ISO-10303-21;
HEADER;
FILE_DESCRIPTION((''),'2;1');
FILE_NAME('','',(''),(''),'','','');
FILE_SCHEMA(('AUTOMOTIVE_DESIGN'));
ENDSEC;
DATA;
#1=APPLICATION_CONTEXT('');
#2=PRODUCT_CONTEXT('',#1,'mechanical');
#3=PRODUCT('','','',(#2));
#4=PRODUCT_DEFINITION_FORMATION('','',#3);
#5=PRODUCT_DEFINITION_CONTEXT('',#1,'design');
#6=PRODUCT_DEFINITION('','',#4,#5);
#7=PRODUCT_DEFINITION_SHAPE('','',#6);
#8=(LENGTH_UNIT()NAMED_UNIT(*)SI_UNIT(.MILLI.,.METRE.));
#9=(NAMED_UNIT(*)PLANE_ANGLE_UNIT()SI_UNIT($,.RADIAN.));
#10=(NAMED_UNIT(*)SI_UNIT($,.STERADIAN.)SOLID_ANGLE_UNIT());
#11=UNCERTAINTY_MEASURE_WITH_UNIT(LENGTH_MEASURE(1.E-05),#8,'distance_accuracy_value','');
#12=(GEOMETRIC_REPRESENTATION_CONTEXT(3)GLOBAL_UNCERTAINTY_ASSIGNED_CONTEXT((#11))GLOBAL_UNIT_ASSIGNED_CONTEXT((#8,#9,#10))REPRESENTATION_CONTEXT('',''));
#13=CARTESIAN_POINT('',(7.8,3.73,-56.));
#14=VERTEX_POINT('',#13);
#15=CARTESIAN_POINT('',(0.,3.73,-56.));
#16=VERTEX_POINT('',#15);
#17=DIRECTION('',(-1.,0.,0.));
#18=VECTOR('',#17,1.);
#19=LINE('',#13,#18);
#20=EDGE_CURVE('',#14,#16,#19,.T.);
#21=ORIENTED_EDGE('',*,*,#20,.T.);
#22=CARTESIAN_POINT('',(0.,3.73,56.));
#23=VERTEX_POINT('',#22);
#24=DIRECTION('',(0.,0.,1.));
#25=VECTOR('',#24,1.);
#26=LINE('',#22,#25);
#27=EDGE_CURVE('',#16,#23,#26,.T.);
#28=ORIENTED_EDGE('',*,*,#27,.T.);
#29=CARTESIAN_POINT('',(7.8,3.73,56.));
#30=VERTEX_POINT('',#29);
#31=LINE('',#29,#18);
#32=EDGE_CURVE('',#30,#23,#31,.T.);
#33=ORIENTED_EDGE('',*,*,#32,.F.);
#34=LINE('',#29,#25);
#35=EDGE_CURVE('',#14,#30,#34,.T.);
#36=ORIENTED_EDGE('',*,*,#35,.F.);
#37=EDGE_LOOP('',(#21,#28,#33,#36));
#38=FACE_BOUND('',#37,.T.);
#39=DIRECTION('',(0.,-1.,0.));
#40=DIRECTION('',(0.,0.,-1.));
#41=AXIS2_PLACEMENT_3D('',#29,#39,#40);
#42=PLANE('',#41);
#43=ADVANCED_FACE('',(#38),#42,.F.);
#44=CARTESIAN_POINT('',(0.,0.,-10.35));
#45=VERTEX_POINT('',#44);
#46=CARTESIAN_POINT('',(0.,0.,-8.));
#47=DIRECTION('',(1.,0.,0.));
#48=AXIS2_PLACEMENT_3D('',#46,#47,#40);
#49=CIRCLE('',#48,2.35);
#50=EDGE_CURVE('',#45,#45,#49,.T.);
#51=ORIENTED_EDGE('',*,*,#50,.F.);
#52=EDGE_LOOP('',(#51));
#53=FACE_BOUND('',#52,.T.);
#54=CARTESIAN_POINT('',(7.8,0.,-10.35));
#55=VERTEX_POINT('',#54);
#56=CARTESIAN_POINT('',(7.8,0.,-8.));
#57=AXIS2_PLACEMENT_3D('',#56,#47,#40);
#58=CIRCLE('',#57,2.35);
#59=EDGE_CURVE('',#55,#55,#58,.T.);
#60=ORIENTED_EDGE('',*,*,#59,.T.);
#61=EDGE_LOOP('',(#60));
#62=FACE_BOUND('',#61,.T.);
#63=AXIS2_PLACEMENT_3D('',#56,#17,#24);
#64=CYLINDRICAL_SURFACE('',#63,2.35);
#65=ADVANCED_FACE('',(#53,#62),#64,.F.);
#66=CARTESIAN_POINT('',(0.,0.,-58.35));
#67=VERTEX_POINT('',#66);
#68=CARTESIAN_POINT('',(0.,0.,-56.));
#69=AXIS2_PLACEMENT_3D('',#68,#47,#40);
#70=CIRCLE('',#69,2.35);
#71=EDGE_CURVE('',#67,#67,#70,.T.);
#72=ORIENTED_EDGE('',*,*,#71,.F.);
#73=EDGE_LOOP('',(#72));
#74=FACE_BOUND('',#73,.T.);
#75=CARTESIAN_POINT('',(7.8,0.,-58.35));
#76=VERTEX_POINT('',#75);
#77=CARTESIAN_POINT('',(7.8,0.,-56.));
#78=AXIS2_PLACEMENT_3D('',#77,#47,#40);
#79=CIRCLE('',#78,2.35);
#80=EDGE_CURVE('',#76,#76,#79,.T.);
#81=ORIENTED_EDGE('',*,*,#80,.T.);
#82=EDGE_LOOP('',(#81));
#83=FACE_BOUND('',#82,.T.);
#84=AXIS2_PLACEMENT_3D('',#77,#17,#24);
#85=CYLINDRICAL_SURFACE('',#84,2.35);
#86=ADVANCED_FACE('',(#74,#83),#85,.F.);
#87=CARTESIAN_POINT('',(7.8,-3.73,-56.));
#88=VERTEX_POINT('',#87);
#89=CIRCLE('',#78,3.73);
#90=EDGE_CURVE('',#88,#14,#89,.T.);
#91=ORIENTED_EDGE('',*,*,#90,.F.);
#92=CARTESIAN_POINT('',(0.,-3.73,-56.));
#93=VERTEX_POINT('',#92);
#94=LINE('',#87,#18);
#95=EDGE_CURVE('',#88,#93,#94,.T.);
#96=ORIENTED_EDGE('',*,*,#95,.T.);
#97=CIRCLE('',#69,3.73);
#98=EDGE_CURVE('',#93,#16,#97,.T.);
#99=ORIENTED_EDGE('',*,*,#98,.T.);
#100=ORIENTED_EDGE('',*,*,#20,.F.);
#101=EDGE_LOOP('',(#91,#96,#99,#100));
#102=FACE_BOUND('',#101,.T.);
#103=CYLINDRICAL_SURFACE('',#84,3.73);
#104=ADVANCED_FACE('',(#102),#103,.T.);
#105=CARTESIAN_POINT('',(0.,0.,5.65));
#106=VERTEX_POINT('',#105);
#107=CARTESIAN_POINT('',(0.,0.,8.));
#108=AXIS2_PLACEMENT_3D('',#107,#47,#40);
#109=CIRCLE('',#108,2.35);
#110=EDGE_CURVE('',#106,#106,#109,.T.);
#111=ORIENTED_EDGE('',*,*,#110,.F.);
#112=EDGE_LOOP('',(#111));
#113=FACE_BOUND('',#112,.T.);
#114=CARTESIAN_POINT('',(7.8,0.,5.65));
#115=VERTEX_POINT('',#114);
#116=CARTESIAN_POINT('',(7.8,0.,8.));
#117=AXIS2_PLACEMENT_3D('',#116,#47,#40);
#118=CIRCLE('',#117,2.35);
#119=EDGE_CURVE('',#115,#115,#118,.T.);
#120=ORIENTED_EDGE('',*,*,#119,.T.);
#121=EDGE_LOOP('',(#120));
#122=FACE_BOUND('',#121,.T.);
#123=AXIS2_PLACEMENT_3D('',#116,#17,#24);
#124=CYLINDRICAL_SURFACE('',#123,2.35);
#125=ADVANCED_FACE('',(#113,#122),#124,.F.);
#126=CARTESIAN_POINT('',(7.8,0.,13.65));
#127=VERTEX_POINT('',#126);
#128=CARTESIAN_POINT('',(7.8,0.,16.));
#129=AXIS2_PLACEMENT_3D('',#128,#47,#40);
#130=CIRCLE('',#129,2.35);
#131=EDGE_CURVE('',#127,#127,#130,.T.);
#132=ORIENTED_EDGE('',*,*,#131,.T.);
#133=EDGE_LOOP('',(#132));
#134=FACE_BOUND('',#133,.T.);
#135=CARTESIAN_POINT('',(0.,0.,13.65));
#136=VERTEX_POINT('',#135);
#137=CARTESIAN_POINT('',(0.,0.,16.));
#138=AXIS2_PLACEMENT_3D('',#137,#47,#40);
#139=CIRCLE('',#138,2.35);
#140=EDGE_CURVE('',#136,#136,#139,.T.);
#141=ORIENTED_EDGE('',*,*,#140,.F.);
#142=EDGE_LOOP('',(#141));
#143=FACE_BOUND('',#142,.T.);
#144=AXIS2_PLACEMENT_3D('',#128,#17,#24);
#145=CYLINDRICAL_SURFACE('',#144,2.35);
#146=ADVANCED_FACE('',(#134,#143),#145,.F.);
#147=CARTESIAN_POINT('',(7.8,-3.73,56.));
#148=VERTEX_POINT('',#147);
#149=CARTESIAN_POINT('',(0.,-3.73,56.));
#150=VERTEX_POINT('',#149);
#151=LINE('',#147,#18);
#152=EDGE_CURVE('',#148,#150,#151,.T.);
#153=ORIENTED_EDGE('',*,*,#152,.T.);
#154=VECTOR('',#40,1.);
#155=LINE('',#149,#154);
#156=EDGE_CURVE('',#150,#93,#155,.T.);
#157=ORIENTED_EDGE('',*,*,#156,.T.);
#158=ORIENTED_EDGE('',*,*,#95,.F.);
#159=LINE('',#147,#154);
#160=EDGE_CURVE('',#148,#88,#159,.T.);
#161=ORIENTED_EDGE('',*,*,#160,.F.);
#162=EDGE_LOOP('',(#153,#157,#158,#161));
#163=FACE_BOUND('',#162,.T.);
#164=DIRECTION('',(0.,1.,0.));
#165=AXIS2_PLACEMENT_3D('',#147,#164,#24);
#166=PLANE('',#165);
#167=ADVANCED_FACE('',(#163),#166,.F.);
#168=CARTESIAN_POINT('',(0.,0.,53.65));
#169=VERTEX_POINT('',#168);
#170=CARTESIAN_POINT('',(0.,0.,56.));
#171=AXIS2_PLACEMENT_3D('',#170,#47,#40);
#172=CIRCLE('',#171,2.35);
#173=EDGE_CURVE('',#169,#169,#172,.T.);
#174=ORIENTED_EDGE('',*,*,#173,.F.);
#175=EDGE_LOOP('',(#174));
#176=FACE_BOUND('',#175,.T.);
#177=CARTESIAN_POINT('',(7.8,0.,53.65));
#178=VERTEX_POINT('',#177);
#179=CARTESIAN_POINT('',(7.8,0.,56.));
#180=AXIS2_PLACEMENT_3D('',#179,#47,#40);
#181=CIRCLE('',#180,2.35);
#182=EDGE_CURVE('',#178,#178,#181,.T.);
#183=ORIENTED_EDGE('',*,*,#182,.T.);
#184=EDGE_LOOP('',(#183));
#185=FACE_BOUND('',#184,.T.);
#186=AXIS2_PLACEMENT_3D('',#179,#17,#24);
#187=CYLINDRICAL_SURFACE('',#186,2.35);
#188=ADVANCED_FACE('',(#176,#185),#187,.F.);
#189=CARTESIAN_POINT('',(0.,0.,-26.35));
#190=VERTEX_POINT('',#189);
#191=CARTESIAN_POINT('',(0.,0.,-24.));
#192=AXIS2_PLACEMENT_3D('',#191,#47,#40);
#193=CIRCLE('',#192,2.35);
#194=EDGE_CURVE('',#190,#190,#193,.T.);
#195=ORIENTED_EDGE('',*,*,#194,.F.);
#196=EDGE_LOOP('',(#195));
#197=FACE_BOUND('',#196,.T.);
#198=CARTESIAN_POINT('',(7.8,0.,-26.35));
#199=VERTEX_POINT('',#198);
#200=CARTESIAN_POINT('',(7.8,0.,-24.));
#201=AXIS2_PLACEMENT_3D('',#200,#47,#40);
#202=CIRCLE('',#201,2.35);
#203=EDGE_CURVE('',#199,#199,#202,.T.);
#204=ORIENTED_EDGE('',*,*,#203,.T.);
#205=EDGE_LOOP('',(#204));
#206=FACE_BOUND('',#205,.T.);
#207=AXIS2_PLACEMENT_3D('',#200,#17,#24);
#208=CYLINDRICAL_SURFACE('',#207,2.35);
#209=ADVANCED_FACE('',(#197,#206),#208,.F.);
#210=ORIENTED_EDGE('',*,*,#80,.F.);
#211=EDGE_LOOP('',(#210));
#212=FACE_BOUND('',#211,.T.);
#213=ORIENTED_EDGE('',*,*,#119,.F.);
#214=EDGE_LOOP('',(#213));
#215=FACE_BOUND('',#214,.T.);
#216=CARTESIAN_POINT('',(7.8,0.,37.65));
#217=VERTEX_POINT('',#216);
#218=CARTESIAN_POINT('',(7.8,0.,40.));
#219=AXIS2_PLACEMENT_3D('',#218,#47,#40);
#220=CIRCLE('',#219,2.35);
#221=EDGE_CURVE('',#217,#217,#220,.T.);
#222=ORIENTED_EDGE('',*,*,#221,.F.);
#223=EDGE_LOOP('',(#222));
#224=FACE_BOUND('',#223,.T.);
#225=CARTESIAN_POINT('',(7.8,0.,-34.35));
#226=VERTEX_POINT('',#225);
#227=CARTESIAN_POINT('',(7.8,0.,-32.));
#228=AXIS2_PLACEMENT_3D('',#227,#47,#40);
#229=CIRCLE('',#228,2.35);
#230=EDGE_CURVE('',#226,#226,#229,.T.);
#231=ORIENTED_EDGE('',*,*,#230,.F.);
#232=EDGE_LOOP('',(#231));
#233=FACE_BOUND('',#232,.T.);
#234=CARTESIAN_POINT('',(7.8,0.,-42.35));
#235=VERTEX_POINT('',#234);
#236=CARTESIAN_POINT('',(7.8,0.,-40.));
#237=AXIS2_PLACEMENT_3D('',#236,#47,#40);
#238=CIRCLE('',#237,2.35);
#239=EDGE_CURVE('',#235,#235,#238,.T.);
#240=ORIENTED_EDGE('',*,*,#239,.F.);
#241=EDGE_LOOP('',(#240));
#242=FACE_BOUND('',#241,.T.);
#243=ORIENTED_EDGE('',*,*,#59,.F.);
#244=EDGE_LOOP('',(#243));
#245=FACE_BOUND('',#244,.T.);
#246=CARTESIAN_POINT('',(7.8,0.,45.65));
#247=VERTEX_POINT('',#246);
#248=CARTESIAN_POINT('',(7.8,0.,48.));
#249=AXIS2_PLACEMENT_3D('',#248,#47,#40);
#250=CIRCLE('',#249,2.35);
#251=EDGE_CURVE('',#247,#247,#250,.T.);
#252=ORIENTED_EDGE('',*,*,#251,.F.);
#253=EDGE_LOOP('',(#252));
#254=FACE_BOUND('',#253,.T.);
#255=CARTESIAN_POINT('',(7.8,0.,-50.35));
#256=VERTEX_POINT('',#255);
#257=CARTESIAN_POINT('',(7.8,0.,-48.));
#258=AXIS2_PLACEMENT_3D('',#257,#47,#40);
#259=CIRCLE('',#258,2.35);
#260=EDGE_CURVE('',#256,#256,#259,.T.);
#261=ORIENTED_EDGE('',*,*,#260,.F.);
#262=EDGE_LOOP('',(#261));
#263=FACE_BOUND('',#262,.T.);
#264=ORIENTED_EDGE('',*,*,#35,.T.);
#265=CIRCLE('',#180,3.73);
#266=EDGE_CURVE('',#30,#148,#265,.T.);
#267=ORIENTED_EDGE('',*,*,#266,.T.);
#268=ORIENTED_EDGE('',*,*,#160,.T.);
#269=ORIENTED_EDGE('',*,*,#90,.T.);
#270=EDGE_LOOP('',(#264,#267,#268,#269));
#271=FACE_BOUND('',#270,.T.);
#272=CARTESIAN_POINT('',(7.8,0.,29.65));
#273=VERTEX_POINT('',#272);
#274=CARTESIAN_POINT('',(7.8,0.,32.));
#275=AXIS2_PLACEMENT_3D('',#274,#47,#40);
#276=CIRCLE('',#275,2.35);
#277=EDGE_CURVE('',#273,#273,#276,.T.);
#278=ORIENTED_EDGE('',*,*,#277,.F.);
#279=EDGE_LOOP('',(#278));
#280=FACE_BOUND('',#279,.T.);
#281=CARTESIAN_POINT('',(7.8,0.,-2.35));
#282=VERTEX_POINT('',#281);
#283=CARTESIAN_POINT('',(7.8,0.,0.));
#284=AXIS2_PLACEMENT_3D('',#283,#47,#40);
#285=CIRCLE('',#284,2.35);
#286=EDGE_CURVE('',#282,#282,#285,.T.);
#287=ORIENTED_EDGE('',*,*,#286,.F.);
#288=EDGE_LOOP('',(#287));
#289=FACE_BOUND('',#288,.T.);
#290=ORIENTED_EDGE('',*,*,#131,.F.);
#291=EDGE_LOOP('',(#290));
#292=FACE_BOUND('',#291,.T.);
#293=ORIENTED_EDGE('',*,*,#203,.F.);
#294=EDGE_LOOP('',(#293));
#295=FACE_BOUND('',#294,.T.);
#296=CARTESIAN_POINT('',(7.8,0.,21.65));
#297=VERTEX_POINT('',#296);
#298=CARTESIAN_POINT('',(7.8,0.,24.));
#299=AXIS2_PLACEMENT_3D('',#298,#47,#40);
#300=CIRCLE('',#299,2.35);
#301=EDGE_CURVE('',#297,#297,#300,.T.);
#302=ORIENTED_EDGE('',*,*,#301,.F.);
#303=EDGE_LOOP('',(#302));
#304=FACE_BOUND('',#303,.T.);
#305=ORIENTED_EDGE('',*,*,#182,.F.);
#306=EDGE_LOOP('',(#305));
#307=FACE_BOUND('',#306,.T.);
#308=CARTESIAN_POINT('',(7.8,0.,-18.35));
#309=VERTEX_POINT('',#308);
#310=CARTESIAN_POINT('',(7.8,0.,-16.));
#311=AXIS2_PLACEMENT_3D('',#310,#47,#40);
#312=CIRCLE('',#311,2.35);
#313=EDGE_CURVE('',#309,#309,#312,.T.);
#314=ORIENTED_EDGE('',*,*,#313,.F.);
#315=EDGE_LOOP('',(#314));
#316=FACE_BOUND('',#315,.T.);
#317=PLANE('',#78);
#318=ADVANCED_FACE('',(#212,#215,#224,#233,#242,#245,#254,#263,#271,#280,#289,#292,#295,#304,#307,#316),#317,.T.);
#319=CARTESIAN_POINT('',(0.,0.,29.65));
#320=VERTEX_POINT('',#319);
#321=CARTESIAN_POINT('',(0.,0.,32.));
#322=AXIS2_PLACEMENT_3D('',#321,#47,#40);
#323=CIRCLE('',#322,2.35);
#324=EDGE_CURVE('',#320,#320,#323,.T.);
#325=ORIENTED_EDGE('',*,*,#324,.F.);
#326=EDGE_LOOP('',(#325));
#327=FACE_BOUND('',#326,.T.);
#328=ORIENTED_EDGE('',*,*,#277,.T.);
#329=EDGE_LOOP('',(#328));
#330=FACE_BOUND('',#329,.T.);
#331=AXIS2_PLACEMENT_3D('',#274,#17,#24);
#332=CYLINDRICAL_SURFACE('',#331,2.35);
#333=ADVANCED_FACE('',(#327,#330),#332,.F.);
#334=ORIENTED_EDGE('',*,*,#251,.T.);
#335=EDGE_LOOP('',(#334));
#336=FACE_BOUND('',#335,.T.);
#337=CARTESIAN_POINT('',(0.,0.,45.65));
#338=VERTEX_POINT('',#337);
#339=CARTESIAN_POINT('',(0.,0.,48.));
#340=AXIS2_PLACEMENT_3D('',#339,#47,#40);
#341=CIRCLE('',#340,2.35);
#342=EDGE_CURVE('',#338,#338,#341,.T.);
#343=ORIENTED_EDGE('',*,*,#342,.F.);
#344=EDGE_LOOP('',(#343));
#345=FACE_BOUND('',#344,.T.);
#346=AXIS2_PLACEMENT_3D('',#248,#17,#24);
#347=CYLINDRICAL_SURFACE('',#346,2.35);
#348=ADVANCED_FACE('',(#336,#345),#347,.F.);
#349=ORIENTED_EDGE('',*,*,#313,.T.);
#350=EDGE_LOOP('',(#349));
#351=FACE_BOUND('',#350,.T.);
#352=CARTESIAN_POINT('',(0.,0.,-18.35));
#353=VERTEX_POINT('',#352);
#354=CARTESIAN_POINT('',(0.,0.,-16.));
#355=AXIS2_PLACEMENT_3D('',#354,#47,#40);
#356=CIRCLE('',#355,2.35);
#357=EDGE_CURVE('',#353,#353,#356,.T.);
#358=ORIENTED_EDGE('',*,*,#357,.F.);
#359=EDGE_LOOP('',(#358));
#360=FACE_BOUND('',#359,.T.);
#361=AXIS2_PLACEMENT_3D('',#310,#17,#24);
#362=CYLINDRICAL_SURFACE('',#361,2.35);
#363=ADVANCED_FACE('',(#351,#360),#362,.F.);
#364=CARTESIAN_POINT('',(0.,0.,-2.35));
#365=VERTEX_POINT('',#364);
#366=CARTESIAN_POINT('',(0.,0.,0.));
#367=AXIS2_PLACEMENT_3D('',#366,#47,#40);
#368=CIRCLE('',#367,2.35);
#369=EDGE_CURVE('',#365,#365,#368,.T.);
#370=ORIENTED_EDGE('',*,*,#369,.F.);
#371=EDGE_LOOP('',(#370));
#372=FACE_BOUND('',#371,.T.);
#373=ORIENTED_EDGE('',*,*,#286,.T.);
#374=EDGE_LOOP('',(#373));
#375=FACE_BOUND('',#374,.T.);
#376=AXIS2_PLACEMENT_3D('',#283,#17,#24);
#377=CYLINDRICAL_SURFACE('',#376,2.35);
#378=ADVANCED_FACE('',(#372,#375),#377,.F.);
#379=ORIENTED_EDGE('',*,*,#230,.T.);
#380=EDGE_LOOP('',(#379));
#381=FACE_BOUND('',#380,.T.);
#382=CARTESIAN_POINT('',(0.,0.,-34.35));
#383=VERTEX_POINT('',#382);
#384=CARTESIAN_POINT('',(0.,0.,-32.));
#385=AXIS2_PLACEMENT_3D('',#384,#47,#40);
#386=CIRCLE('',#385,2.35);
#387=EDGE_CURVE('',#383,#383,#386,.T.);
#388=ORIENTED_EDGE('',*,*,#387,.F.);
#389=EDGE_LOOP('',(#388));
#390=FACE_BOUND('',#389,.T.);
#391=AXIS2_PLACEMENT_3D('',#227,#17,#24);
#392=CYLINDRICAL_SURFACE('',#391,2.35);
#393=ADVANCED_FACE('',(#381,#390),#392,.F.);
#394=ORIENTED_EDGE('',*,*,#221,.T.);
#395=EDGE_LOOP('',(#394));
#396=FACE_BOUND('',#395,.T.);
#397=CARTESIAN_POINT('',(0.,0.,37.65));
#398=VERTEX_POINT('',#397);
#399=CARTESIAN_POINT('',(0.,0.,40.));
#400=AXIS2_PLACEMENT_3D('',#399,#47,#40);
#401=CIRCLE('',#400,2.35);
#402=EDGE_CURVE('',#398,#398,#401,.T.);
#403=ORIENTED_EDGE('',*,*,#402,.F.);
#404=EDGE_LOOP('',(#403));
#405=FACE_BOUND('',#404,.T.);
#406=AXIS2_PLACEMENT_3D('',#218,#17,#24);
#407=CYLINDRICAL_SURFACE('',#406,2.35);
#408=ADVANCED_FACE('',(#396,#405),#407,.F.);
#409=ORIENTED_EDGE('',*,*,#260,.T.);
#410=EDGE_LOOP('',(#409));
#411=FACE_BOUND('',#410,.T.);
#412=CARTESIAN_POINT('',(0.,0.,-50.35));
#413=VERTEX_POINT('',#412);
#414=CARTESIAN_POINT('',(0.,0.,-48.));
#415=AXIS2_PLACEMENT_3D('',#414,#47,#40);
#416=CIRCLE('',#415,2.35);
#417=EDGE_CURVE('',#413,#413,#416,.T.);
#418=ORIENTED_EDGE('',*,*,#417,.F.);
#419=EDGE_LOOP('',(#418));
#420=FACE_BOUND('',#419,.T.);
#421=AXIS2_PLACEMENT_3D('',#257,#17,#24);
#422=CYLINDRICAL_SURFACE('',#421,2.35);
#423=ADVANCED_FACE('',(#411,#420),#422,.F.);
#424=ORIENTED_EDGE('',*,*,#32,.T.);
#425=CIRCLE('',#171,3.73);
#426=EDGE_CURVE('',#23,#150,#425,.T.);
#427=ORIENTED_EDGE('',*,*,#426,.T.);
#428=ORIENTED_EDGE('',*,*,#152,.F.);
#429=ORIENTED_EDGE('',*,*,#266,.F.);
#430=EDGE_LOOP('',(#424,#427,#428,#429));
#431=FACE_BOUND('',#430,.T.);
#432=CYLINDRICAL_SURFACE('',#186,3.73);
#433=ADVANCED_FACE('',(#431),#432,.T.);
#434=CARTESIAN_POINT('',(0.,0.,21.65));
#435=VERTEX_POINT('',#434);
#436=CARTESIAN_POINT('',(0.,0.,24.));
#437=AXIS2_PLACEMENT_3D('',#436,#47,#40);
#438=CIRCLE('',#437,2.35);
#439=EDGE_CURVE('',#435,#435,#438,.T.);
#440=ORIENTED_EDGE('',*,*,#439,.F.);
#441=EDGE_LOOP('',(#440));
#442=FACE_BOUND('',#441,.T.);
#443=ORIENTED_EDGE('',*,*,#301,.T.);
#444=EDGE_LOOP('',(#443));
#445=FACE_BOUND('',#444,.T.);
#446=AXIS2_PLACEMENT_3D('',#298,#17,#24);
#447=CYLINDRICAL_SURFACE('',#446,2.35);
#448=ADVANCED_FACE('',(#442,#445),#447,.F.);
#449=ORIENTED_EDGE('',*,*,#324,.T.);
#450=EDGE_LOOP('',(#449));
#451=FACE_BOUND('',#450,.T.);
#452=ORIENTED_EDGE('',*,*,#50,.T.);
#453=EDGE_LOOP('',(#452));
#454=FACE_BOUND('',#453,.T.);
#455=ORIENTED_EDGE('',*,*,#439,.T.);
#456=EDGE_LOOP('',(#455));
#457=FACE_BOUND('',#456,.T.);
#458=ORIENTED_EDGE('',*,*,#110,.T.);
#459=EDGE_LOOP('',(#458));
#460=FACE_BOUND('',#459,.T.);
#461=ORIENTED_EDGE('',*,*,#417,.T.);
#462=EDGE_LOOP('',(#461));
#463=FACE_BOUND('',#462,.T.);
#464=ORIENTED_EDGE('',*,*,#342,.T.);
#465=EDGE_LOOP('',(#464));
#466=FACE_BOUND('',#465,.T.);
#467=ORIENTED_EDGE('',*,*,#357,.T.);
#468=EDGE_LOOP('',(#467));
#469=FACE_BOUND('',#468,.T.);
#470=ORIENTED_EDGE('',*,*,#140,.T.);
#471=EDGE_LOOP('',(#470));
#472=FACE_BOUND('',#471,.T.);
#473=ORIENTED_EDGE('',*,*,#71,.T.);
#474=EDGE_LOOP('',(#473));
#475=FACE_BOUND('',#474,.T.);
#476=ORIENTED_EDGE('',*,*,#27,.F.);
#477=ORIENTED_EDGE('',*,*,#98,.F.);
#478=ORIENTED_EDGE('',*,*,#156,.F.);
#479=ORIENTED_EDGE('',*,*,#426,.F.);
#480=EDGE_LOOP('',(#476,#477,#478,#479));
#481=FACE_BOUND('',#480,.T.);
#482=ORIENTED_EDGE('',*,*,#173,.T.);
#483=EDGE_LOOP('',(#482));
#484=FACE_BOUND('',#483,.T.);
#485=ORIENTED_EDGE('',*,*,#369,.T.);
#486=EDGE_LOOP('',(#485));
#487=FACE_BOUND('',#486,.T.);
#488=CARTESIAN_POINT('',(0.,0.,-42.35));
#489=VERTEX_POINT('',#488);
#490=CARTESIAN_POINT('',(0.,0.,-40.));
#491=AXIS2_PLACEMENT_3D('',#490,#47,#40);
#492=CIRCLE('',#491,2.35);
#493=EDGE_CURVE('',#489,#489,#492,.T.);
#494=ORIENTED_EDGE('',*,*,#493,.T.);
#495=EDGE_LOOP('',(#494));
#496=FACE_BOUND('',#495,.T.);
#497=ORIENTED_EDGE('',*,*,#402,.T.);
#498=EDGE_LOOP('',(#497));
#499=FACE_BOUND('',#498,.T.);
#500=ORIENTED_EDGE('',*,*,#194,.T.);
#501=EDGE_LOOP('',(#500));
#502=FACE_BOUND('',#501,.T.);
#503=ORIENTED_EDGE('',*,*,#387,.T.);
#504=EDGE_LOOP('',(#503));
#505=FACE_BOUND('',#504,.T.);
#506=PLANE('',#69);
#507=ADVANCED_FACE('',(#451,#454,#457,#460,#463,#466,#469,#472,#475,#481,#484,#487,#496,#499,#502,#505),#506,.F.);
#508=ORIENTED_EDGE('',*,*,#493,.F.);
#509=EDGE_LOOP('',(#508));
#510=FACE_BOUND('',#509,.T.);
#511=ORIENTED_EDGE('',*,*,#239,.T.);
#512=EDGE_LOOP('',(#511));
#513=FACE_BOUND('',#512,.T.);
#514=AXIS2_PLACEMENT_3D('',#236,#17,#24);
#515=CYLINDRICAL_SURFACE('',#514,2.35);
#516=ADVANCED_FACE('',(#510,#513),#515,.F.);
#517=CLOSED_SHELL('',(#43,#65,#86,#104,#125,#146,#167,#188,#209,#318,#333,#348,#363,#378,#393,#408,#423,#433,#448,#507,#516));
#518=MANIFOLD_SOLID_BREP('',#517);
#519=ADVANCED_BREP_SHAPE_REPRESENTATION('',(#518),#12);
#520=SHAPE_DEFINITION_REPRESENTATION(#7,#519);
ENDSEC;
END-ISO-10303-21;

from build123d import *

# Parameters (mm, degrees)
SKETCH1_R           = 2.35
BOSS_EXTRUDE1_DEPTH = 7.8


with BuildPart() as part:
    # Sketch1 → Boss-Extrude1 (new body)
    with BuildSketch(Plane(origin=(0, 0, 0), x_dir=(0, 0, -1), z_dir=(1, 0, 0))):
        with BuildLine():
            Line((-56, -3.73), (56, -3.73))
            ThreePointArc((56, -3.73), (59.73, 0), (56, 3.73))
            Line((56, 3.73), (-56, 3.73))
            ThreePointArc((-56, 3.73), (-59.73, 0), (-56, -3.73))
        make_face()
        with Locations((-56, 0)):
            Circle(SKETCH1_R, mode=Mode.SUBTRACT)
        with Locations((-48, 0)):
            Circle(SKETCH1_R, mode=Mode.SUBTRACT)
        with Locations((-40, 0)):
            Circle(SKETCH1_R, mode=Mode.SUBTRACT)
        with Locations((-32, 0)):
            Circle(SKETCH1_R, mode=Mode.SUBTRACT)
        with Locations((-24, 0)):
            Circle(SKETCH1_R, mode=Mode.SUBTRACT)
        with Locations((-16, 0)):
            Circle(SKETCH1_R, mode=Mode.SUBTRACT)
        with Locations((-8, 0)):
            Circle(SKETCH1_R, mode=Mode.SUBTRACT)
        Circle(SKETCH1_R, mode=Mode.SUBTRACT)
        with Locations((8, 0)):
            Circle(SKETCH1_R, mode=Mode.SUBTRACT)
        with Locations((16, 0)):
            Circle(SKETCH1_R, mode=Mode.SUBTRACT)
        with Locations((24, 0)):
            Circle(SKETCH1_R, mode=Mode.SUBTRACT)
        with Locations((32, 0)):
            Circle(SKETCH1_R, mode=Mode.SUBTRACT)
        with Locations((40, 0)):
            Circle(SKETCH1_R, mode=Mode.SUBTRACT)
        with Locations((48, 0)):
            Circle(SKETCH1_R, mode=Mode.SUBTRACT)
        with Locations((56, 0)):
            Circle(SKETCH1_R, mode=Mode.SUBTRACT)
    extrude(amount=BOSS_EXTRUDE1_DEPTH)


solid = part.part
